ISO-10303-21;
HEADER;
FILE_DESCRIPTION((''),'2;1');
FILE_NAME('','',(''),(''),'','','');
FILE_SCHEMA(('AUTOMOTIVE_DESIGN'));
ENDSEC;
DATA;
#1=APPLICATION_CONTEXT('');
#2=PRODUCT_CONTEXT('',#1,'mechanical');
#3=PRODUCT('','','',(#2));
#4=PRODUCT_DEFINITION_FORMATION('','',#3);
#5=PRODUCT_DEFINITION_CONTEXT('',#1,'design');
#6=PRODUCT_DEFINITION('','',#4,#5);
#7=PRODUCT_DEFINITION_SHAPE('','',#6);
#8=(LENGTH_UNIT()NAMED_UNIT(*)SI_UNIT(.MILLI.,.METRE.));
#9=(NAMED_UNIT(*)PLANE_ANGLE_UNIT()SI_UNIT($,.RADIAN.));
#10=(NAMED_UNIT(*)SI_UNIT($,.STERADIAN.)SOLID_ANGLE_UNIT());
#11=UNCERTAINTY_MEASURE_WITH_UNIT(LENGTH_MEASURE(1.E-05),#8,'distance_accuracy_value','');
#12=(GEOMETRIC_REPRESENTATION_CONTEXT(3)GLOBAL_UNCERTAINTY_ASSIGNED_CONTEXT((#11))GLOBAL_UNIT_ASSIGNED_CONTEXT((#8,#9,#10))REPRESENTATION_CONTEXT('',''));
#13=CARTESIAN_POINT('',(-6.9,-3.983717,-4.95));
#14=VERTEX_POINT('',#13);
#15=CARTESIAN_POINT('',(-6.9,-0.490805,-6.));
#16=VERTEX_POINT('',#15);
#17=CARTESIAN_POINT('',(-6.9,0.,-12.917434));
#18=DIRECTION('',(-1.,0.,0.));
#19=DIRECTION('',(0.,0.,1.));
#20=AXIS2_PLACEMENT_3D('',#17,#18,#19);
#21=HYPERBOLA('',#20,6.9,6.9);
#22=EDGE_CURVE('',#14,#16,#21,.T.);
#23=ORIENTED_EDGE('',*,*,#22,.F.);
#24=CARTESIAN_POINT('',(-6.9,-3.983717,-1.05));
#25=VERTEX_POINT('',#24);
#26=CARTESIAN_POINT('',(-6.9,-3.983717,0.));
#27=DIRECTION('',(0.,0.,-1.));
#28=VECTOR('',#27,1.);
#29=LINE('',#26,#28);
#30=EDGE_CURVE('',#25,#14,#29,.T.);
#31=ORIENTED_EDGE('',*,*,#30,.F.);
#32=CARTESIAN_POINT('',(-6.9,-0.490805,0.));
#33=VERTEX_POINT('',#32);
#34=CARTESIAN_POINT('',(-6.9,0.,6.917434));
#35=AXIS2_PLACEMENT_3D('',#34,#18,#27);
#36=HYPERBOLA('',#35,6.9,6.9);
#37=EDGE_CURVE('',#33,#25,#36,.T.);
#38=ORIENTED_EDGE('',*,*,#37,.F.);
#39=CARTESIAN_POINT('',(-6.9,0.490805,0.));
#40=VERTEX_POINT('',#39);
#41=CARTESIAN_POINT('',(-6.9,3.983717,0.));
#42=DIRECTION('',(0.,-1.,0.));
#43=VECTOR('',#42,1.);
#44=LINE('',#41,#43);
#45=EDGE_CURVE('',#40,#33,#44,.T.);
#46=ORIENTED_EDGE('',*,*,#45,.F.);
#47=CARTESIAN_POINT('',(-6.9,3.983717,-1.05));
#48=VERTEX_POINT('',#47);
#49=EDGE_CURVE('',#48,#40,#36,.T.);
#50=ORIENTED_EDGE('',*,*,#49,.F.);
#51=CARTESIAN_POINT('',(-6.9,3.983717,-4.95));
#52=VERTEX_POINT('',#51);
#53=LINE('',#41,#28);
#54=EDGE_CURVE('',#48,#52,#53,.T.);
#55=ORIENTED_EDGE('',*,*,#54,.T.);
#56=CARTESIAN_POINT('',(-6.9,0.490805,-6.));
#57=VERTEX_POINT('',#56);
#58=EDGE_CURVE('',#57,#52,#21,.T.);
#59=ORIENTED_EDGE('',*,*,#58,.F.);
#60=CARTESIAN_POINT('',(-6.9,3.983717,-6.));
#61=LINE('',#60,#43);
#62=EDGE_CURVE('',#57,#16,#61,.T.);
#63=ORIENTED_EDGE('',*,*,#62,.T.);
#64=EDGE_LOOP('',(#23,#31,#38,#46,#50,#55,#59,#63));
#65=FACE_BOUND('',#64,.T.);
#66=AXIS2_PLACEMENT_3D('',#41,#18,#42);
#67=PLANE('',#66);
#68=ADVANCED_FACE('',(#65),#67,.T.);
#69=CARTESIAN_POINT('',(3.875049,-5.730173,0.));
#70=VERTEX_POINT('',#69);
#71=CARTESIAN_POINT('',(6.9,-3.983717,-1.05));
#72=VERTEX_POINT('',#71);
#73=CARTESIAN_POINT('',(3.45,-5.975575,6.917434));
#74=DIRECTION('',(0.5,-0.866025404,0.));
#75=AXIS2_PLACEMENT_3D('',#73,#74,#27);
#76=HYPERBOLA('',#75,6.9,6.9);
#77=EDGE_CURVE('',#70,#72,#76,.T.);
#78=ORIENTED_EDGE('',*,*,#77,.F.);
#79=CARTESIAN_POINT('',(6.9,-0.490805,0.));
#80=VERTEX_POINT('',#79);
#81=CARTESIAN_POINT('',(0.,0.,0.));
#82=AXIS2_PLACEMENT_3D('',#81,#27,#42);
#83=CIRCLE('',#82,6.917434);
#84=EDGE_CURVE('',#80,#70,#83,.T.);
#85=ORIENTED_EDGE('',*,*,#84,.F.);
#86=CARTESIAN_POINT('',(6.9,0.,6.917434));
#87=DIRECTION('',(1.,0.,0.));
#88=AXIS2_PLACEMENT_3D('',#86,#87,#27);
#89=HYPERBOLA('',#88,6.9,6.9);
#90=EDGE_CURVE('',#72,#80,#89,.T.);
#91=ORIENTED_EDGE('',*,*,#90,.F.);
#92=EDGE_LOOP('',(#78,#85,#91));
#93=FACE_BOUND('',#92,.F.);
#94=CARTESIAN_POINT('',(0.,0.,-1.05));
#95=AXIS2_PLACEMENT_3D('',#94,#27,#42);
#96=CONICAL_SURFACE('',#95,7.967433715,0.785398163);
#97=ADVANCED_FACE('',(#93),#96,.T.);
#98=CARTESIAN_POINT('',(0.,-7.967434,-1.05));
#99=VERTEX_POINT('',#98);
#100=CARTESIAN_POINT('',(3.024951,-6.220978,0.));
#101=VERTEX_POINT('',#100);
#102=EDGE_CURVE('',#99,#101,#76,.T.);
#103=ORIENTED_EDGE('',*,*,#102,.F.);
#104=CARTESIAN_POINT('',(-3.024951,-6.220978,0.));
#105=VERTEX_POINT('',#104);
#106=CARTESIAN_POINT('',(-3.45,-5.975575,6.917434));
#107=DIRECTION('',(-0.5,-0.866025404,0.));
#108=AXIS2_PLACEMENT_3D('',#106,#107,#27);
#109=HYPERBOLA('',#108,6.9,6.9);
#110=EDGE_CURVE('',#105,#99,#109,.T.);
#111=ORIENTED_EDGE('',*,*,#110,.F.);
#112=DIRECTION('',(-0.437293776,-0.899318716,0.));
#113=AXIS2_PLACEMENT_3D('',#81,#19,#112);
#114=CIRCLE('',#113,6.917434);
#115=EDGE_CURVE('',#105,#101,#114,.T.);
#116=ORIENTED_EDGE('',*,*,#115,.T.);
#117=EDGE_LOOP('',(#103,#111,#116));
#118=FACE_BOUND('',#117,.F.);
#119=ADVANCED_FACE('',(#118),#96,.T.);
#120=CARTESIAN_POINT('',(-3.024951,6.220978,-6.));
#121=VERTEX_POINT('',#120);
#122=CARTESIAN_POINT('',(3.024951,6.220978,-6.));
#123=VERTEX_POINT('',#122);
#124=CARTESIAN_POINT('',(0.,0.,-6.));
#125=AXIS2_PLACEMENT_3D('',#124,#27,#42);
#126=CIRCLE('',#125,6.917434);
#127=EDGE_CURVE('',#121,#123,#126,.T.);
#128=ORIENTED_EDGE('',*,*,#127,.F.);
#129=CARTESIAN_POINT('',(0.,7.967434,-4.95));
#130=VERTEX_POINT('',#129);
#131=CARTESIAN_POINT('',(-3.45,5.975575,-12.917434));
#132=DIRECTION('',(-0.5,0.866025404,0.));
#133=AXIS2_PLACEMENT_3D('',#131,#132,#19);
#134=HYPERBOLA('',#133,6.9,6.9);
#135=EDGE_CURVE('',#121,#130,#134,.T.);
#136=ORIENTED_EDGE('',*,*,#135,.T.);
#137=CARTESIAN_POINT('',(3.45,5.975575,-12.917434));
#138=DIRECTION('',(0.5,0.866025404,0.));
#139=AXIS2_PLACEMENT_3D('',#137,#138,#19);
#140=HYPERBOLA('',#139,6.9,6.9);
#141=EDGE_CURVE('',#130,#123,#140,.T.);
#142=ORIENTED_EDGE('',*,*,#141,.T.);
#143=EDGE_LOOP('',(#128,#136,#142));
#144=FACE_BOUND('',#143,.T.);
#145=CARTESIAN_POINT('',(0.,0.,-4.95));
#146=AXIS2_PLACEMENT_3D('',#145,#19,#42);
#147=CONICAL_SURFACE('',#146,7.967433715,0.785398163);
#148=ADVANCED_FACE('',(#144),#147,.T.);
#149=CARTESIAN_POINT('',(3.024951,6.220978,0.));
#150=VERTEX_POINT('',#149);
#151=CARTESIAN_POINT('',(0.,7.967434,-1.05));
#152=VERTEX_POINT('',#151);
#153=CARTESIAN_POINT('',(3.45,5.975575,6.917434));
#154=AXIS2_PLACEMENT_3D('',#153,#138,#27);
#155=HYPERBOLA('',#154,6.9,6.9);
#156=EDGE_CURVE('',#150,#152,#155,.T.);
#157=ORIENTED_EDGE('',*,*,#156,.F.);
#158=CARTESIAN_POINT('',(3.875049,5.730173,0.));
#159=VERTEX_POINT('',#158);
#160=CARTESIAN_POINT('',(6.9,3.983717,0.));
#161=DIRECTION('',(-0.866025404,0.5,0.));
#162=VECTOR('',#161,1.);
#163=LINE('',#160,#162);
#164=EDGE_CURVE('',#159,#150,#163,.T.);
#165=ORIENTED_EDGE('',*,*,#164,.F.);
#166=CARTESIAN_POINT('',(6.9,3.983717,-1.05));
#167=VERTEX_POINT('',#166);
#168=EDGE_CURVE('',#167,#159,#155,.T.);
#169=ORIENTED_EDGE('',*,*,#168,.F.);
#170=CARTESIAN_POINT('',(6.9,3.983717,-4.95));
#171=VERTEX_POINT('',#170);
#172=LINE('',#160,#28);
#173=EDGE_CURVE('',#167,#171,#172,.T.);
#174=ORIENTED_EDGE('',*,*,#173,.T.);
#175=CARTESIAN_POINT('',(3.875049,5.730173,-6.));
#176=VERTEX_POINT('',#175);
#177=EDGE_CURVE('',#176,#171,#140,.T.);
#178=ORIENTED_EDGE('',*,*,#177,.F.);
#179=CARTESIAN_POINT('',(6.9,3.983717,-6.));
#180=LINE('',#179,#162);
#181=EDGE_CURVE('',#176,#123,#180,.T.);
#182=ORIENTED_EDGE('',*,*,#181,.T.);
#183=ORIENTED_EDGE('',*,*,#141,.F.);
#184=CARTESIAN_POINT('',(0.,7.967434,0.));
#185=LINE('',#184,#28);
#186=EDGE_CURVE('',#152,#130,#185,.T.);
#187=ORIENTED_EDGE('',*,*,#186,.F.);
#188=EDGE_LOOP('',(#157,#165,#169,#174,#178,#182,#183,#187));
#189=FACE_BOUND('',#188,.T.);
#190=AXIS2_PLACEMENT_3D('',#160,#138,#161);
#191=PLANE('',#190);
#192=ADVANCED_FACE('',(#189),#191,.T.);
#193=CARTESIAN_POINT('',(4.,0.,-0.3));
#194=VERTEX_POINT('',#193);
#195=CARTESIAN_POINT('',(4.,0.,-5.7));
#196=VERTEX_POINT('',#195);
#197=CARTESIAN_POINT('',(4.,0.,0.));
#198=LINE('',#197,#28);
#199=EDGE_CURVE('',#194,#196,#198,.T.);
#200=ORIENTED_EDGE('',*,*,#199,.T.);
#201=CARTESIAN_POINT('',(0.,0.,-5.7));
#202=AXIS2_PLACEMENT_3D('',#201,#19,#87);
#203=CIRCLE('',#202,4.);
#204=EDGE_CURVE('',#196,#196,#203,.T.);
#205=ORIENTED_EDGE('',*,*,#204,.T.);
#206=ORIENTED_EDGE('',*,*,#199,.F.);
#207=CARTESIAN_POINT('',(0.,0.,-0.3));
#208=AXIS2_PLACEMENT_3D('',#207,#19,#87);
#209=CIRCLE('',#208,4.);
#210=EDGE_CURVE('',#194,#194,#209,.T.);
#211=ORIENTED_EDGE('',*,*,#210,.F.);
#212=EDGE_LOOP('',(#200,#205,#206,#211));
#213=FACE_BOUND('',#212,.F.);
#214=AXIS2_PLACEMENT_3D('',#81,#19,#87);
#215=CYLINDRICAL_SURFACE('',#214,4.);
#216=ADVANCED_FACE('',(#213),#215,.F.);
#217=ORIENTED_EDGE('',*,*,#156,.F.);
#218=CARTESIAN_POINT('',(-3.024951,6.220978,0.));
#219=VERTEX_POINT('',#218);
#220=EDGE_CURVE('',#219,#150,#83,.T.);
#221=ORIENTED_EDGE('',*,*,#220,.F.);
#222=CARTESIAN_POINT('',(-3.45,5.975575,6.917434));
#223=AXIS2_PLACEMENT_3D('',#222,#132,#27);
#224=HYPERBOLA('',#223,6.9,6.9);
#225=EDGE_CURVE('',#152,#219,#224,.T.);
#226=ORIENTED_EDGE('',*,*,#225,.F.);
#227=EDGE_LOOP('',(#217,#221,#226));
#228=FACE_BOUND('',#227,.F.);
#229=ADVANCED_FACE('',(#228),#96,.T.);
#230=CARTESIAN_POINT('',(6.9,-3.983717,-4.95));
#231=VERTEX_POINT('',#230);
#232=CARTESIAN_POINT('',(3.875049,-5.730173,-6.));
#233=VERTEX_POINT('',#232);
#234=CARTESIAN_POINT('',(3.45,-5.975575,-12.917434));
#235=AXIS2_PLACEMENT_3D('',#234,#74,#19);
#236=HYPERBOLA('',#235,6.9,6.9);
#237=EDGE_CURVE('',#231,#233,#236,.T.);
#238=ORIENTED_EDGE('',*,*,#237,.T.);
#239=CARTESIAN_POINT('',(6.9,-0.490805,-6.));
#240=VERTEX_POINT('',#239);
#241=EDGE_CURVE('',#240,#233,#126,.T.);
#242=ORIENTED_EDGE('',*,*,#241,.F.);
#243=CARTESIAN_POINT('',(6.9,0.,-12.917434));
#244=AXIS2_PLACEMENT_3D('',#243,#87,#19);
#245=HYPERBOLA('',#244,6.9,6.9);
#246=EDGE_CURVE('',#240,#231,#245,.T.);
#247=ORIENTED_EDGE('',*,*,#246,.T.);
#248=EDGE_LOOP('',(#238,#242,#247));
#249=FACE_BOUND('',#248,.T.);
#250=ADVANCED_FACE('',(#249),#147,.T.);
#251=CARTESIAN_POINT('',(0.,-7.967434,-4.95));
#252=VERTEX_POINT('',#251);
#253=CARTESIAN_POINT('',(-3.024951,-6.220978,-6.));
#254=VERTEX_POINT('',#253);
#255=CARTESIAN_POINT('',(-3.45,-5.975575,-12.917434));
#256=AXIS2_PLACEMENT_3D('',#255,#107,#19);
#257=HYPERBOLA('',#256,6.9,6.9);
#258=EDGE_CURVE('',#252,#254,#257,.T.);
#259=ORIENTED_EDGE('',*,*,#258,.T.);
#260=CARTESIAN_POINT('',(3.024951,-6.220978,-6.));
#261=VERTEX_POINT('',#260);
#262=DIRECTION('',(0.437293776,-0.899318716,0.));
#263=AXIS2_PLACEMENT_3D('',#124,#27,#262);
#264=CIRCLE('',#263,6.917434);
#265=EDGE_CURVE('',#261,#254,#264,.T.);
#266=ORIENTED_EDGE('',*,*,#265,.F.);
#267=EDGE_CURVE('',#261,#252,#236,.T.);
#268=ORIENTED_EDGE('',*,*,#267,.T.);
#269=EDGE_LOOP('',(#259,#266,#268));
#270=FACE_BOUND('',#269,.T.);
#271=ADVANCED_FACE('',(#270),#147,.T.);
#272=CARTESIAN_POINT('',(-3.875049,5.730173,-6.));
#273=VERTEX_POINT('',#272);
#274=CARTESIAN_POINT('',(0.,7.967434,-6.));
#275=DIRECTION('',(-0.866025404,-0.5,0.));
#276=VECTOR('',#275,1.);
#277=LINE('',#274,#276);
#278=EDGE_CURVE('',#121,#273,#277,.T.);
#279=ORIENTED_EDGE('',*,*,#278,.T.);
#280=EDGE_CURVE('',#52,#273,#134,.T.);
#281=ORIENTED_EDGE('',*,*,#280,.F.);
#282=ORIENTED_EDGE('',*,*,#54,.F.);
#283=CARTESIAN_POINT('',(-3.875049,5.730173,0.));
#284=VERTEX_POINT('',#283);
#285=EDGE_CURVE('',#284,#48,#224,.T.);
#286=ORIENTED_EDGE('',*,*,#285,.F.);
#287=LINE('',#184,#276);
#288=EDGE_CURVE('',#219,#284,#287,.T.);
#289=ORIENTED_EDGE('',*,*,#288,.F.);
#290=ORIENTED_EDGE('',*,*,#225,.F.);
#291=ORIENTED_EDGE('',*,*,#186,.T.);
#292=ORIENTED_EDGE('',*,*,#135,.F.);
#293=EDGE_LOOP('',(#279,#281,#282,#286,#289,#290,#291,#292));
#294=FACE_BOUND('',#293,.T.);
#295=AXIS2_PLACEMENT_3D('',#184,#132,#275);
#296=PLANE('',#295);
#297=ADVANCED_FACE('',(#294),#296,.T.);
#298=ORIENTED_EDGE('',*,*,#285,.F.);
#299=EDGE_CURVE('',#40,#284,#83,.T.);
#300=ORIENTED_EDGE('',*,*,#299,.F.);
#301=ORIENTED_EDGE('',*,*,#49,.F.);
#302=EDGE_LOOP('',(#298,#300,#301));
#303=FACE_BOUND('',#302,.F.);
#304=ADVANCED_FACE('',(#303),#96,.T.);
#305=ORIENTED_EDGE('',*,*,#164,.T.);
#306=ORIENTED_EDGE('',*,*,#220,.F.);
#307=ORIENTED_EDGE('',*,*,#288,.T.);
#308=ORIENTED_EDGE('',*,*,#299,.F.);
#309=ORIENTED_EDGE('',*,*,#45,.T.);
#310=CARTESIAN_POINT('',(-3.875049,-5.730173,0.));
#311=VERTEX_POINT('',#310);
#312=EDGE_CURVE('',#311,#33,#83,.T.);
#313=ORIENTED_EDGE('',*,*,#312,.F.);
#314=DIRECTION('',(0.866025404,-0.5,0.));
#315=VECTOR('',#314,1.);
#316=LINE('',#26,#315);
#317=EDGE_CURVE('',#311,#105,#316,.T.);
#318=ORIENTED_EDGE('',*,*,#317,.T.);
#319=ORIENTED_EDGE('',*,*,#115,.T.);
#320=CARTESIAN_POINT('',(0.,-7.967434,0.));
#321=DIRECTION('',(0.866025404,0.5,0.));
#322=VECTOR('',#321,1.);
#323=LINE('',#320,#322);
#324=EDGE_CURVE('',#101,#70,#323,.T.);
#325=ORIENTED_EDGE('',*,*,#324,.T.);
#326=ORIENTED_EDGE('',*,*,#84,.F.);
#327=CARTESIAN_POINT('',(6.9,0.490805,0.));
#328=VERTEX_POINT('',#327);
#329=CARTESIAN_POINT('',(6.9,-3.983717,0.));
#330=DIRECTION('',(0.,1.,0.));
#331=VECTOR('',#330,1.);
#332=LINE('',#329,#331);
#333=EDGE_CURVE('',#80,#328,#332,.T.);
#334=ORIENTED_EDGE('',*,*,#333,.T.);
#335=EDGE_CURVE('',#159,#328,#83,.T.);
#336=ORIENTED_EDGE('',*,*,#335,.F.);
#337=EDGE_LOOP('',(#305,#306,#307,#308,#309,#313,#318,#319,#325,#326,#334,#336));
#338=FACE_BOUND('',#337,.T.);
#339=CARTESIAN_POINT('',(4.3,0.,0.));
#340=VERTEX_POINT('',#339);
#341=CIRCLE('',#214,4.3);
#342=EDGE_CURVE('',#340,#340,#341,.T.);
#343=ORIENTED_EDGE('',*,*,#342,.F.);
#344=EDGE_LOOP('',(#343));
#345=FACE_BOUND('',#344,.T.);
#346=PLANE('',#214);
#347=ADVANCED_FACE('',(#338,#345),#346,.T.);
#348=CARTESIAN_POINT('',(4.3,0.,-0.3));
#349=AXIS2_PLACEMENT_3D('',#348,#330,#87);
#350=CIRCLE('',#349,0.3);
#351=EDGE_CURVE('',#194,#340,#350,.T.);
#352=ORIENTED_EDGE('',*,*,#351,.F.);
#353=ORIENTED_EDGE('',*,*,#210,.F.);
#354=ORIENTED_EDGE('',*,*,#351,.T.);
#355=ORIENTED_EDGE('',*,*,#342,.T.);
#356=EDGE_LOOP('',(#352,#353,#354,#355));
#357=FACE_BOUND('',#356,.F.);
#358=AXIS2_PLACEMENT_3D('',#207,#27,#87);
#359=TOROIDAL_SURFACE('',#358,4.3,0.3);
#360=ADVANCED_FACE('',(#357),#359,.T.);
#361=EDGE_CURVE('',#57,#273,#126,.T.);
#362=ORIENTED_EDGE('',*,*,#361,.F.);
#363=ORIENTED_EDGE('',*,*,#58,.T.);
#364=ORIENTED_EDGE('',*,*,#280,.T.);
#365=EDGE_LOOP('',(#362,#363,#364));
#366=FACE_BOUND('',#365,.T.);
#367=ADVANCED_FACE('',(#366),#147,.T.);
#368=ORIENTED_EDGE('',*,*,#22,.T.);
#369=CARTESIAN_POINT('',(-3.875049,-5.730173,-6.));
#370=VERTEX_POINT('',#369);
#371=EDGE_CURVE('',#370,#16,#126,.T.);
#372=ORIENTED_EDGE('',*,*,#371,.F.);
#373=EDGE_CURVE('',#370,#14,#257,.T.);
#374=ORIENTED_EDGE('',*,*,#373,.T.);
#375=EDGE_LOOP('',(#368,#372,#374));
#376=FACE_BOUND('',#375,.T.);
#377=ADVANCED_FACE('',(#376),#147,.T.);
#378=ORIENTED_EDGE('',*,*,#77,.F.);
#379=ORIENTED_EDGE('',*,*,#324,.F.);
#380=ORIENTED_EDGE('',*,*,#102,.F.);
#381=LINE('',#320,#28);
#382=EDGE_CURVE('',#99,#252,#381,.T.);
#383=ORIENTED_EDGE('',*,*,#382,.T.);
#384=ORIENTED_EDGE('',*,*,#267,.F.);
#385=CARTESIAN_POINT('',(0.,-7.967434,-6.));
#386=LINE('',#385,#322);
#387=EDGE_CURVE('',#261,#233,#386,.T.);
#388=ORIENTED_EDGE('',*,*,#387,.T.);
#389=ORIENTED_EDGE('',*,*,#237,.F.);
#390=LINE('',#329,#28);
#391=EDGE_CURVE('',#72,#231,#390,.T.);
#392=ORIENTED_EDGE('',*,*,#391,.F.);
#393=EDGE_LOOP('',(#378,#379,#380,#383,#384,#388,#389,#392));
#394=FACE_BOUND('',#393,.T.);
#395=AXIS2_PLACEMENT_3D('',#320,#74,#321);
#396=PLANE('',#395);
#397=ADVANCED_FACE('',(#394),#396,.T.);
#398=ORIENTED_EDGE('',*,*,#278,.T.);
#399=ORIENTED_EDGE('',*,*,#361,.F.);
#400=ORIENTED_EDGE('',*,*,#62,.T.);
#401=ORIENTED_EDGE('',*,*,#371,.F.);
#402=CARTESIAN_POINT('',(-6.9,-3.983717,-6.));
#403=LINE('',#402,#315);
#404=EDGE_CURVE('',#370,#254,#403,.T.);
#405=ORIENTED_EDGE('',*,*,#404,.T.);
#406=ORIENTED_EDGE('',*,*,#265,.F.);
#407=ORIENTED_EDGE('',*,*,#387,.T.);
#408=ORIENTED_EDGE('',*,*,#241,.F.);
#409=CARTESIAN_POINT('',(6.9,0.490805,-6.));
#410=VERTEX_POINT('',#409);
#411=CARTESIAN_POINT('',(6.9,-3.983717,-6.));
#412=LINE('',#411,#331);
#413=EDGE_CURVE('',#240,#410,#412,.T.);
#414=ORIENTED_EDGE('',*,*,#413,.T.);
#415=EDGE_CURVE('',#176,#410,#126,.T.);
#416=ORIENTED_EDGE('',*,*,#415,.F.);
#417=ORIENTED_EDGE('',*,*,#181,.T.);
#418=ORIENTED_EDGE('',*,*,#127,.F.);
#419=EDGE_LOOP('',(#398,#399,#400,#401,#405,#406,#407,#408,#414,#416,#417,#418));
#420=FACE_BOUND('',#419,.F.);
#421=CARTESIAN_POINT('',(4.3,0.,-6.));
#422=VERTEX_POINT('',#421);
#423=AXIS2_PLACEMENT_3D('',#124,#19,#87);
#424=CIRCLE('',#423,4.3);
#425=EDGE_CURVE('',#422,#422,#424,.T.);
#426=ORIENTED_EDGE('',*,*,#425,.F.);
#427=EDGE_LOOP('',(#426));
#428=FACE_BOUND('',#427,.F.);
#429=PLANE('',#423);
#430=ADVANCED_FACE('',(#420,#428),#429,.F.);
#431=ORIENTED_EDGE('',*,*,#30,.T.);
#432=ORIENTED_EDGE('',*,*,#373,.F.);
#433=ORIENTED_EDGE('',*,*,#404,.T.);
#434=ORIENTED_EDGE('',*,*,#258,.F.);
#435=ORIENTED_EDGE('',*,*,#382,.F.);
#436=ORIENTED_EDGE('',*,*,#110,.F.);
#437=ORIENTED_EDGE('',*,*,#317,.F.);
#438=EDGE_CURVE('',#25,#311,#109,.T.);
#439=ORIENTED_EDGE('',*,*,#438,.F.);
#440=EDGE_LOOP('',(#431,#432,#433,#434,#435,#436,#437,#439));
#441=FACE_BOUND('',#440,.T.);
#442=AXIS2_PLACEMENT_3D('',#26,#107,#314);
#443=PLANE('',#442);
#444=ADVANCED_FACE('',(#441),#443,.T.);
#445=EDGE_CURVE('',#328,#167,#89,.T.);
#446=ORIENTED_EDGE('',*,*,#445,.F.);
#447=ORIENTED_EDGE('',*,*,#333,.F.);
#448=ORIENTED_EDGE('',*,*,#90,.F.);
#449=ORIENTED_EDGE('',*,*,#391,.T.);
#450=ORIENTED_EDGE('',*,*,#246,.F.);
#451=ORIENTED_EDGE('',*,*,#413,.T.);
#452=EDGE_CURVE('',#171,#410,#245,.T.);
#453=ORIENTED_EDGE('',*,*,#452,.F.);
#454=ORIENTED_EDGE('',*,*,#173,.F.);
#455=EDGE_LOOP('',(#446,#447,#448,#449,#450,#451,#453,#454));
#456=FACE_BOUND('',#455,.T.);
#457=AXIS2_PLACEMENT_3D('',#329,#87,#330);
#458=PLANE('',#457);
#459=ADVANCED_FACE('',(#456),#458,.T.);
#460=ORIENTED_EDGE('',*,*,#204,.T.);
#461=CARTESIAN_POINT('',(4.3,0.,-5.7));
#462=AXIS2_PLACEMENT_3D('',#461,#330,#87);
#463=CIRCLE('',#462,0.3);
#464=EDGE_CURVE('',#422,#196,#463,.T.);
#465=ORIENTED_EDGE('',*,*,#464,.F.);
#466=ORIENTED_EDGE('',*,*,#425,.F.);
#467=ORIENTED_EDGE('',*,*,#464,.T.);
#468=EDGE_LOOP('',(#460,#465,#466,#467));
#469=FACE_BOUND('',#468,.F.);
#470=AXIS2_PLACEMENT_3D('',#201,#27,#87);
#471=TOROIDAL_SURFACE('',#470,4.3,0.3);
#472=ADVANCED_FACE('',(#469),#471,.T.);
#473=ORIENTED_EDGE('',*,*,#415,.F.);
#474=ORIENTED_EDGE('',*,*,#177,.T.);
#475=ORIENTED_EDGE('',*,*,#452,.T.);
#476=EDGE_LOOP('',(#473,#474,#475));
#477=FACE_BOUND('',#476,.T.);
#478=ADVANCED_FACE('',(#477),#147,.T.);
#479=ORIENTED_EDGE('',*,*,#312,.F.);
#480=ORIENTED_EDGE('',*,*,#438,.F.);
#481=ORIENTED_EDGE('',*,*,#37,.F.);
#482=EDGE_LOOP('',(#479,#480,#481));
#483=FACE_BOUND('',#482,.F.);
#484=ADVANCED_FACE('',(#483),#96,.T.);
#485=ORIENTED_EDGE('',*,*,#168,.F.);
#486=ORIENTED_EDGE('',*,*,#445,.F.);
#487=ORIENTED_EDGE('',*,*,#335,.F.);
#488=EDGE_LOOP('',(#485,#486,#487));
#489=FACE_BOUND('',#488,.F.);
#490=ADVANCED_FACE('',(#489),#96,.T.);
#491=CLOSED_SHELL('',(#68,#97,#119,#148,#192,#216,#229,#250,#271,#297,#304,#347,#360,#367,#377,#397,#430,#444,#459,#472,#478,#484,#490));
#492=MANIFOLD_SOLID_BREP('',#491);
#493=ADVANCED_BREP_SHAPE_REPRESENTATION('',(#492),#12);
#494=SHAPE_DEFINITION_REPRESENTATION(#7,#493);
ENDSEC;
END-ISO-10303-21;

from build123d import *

# Parameters (mm, degrees)
EXTRUDE_1_DEPTH     = 6
SKETCH_2_R          = 4
CUT_EXTRUDE_1_DEPTH = 6
FILLET_3_R          = 0.3


with BuildPart() as part:
    # 草图1 → 凸台-拉伸1 (new body)
    with BuildSketch(Plane.XY):
        Polygon((0, 7.967433715), (-6.9, 3.983716857), (-6.9, -3.983716857), (0, -7.967433715), (6.9, -3.983716857), (6.9, 3.983716857), align=None)
    extrude(amount=-EXTRUDE_1_DEPTH)

    # 草图2 → 切除-拉伸1 (cut)
    with BuildSketch(Plane.XY):
        Circle(SKETCH_2_R)
    extrude(amount=-CUT_EXTRUDE_1_DEPTH, mode=Mode.SUBTRACT)

    # 草图3 → 切除-旋转2 (revolve, cut)
    with BuildSketch(Plane(origin=(0, 0, 0), x_dir=(0, 0, -1), z_dir=(1, 0, 0))):
        Polygon((0, -7.967433715), (1.05, -7.967433715), (0, -6.917433715), align=None)
        Polygon((6, -7.967433715), (4.95, -7.967433715), (6, -6.917433715), align=None)
    revolve(axis=Axis((0, 0, 0), (0, 0, -1)), mode=Mode.SUBTRACT)

    # 圆角3
    fillet_3_edges = [part.edges().sort_by_distance(p)[0] for p in [
        (-4, 0, -6),
        (-4, 0, 0),
    ]]
    fillet(fillet_3_edges, radius=FILLET_3_R)


solid = part.part
